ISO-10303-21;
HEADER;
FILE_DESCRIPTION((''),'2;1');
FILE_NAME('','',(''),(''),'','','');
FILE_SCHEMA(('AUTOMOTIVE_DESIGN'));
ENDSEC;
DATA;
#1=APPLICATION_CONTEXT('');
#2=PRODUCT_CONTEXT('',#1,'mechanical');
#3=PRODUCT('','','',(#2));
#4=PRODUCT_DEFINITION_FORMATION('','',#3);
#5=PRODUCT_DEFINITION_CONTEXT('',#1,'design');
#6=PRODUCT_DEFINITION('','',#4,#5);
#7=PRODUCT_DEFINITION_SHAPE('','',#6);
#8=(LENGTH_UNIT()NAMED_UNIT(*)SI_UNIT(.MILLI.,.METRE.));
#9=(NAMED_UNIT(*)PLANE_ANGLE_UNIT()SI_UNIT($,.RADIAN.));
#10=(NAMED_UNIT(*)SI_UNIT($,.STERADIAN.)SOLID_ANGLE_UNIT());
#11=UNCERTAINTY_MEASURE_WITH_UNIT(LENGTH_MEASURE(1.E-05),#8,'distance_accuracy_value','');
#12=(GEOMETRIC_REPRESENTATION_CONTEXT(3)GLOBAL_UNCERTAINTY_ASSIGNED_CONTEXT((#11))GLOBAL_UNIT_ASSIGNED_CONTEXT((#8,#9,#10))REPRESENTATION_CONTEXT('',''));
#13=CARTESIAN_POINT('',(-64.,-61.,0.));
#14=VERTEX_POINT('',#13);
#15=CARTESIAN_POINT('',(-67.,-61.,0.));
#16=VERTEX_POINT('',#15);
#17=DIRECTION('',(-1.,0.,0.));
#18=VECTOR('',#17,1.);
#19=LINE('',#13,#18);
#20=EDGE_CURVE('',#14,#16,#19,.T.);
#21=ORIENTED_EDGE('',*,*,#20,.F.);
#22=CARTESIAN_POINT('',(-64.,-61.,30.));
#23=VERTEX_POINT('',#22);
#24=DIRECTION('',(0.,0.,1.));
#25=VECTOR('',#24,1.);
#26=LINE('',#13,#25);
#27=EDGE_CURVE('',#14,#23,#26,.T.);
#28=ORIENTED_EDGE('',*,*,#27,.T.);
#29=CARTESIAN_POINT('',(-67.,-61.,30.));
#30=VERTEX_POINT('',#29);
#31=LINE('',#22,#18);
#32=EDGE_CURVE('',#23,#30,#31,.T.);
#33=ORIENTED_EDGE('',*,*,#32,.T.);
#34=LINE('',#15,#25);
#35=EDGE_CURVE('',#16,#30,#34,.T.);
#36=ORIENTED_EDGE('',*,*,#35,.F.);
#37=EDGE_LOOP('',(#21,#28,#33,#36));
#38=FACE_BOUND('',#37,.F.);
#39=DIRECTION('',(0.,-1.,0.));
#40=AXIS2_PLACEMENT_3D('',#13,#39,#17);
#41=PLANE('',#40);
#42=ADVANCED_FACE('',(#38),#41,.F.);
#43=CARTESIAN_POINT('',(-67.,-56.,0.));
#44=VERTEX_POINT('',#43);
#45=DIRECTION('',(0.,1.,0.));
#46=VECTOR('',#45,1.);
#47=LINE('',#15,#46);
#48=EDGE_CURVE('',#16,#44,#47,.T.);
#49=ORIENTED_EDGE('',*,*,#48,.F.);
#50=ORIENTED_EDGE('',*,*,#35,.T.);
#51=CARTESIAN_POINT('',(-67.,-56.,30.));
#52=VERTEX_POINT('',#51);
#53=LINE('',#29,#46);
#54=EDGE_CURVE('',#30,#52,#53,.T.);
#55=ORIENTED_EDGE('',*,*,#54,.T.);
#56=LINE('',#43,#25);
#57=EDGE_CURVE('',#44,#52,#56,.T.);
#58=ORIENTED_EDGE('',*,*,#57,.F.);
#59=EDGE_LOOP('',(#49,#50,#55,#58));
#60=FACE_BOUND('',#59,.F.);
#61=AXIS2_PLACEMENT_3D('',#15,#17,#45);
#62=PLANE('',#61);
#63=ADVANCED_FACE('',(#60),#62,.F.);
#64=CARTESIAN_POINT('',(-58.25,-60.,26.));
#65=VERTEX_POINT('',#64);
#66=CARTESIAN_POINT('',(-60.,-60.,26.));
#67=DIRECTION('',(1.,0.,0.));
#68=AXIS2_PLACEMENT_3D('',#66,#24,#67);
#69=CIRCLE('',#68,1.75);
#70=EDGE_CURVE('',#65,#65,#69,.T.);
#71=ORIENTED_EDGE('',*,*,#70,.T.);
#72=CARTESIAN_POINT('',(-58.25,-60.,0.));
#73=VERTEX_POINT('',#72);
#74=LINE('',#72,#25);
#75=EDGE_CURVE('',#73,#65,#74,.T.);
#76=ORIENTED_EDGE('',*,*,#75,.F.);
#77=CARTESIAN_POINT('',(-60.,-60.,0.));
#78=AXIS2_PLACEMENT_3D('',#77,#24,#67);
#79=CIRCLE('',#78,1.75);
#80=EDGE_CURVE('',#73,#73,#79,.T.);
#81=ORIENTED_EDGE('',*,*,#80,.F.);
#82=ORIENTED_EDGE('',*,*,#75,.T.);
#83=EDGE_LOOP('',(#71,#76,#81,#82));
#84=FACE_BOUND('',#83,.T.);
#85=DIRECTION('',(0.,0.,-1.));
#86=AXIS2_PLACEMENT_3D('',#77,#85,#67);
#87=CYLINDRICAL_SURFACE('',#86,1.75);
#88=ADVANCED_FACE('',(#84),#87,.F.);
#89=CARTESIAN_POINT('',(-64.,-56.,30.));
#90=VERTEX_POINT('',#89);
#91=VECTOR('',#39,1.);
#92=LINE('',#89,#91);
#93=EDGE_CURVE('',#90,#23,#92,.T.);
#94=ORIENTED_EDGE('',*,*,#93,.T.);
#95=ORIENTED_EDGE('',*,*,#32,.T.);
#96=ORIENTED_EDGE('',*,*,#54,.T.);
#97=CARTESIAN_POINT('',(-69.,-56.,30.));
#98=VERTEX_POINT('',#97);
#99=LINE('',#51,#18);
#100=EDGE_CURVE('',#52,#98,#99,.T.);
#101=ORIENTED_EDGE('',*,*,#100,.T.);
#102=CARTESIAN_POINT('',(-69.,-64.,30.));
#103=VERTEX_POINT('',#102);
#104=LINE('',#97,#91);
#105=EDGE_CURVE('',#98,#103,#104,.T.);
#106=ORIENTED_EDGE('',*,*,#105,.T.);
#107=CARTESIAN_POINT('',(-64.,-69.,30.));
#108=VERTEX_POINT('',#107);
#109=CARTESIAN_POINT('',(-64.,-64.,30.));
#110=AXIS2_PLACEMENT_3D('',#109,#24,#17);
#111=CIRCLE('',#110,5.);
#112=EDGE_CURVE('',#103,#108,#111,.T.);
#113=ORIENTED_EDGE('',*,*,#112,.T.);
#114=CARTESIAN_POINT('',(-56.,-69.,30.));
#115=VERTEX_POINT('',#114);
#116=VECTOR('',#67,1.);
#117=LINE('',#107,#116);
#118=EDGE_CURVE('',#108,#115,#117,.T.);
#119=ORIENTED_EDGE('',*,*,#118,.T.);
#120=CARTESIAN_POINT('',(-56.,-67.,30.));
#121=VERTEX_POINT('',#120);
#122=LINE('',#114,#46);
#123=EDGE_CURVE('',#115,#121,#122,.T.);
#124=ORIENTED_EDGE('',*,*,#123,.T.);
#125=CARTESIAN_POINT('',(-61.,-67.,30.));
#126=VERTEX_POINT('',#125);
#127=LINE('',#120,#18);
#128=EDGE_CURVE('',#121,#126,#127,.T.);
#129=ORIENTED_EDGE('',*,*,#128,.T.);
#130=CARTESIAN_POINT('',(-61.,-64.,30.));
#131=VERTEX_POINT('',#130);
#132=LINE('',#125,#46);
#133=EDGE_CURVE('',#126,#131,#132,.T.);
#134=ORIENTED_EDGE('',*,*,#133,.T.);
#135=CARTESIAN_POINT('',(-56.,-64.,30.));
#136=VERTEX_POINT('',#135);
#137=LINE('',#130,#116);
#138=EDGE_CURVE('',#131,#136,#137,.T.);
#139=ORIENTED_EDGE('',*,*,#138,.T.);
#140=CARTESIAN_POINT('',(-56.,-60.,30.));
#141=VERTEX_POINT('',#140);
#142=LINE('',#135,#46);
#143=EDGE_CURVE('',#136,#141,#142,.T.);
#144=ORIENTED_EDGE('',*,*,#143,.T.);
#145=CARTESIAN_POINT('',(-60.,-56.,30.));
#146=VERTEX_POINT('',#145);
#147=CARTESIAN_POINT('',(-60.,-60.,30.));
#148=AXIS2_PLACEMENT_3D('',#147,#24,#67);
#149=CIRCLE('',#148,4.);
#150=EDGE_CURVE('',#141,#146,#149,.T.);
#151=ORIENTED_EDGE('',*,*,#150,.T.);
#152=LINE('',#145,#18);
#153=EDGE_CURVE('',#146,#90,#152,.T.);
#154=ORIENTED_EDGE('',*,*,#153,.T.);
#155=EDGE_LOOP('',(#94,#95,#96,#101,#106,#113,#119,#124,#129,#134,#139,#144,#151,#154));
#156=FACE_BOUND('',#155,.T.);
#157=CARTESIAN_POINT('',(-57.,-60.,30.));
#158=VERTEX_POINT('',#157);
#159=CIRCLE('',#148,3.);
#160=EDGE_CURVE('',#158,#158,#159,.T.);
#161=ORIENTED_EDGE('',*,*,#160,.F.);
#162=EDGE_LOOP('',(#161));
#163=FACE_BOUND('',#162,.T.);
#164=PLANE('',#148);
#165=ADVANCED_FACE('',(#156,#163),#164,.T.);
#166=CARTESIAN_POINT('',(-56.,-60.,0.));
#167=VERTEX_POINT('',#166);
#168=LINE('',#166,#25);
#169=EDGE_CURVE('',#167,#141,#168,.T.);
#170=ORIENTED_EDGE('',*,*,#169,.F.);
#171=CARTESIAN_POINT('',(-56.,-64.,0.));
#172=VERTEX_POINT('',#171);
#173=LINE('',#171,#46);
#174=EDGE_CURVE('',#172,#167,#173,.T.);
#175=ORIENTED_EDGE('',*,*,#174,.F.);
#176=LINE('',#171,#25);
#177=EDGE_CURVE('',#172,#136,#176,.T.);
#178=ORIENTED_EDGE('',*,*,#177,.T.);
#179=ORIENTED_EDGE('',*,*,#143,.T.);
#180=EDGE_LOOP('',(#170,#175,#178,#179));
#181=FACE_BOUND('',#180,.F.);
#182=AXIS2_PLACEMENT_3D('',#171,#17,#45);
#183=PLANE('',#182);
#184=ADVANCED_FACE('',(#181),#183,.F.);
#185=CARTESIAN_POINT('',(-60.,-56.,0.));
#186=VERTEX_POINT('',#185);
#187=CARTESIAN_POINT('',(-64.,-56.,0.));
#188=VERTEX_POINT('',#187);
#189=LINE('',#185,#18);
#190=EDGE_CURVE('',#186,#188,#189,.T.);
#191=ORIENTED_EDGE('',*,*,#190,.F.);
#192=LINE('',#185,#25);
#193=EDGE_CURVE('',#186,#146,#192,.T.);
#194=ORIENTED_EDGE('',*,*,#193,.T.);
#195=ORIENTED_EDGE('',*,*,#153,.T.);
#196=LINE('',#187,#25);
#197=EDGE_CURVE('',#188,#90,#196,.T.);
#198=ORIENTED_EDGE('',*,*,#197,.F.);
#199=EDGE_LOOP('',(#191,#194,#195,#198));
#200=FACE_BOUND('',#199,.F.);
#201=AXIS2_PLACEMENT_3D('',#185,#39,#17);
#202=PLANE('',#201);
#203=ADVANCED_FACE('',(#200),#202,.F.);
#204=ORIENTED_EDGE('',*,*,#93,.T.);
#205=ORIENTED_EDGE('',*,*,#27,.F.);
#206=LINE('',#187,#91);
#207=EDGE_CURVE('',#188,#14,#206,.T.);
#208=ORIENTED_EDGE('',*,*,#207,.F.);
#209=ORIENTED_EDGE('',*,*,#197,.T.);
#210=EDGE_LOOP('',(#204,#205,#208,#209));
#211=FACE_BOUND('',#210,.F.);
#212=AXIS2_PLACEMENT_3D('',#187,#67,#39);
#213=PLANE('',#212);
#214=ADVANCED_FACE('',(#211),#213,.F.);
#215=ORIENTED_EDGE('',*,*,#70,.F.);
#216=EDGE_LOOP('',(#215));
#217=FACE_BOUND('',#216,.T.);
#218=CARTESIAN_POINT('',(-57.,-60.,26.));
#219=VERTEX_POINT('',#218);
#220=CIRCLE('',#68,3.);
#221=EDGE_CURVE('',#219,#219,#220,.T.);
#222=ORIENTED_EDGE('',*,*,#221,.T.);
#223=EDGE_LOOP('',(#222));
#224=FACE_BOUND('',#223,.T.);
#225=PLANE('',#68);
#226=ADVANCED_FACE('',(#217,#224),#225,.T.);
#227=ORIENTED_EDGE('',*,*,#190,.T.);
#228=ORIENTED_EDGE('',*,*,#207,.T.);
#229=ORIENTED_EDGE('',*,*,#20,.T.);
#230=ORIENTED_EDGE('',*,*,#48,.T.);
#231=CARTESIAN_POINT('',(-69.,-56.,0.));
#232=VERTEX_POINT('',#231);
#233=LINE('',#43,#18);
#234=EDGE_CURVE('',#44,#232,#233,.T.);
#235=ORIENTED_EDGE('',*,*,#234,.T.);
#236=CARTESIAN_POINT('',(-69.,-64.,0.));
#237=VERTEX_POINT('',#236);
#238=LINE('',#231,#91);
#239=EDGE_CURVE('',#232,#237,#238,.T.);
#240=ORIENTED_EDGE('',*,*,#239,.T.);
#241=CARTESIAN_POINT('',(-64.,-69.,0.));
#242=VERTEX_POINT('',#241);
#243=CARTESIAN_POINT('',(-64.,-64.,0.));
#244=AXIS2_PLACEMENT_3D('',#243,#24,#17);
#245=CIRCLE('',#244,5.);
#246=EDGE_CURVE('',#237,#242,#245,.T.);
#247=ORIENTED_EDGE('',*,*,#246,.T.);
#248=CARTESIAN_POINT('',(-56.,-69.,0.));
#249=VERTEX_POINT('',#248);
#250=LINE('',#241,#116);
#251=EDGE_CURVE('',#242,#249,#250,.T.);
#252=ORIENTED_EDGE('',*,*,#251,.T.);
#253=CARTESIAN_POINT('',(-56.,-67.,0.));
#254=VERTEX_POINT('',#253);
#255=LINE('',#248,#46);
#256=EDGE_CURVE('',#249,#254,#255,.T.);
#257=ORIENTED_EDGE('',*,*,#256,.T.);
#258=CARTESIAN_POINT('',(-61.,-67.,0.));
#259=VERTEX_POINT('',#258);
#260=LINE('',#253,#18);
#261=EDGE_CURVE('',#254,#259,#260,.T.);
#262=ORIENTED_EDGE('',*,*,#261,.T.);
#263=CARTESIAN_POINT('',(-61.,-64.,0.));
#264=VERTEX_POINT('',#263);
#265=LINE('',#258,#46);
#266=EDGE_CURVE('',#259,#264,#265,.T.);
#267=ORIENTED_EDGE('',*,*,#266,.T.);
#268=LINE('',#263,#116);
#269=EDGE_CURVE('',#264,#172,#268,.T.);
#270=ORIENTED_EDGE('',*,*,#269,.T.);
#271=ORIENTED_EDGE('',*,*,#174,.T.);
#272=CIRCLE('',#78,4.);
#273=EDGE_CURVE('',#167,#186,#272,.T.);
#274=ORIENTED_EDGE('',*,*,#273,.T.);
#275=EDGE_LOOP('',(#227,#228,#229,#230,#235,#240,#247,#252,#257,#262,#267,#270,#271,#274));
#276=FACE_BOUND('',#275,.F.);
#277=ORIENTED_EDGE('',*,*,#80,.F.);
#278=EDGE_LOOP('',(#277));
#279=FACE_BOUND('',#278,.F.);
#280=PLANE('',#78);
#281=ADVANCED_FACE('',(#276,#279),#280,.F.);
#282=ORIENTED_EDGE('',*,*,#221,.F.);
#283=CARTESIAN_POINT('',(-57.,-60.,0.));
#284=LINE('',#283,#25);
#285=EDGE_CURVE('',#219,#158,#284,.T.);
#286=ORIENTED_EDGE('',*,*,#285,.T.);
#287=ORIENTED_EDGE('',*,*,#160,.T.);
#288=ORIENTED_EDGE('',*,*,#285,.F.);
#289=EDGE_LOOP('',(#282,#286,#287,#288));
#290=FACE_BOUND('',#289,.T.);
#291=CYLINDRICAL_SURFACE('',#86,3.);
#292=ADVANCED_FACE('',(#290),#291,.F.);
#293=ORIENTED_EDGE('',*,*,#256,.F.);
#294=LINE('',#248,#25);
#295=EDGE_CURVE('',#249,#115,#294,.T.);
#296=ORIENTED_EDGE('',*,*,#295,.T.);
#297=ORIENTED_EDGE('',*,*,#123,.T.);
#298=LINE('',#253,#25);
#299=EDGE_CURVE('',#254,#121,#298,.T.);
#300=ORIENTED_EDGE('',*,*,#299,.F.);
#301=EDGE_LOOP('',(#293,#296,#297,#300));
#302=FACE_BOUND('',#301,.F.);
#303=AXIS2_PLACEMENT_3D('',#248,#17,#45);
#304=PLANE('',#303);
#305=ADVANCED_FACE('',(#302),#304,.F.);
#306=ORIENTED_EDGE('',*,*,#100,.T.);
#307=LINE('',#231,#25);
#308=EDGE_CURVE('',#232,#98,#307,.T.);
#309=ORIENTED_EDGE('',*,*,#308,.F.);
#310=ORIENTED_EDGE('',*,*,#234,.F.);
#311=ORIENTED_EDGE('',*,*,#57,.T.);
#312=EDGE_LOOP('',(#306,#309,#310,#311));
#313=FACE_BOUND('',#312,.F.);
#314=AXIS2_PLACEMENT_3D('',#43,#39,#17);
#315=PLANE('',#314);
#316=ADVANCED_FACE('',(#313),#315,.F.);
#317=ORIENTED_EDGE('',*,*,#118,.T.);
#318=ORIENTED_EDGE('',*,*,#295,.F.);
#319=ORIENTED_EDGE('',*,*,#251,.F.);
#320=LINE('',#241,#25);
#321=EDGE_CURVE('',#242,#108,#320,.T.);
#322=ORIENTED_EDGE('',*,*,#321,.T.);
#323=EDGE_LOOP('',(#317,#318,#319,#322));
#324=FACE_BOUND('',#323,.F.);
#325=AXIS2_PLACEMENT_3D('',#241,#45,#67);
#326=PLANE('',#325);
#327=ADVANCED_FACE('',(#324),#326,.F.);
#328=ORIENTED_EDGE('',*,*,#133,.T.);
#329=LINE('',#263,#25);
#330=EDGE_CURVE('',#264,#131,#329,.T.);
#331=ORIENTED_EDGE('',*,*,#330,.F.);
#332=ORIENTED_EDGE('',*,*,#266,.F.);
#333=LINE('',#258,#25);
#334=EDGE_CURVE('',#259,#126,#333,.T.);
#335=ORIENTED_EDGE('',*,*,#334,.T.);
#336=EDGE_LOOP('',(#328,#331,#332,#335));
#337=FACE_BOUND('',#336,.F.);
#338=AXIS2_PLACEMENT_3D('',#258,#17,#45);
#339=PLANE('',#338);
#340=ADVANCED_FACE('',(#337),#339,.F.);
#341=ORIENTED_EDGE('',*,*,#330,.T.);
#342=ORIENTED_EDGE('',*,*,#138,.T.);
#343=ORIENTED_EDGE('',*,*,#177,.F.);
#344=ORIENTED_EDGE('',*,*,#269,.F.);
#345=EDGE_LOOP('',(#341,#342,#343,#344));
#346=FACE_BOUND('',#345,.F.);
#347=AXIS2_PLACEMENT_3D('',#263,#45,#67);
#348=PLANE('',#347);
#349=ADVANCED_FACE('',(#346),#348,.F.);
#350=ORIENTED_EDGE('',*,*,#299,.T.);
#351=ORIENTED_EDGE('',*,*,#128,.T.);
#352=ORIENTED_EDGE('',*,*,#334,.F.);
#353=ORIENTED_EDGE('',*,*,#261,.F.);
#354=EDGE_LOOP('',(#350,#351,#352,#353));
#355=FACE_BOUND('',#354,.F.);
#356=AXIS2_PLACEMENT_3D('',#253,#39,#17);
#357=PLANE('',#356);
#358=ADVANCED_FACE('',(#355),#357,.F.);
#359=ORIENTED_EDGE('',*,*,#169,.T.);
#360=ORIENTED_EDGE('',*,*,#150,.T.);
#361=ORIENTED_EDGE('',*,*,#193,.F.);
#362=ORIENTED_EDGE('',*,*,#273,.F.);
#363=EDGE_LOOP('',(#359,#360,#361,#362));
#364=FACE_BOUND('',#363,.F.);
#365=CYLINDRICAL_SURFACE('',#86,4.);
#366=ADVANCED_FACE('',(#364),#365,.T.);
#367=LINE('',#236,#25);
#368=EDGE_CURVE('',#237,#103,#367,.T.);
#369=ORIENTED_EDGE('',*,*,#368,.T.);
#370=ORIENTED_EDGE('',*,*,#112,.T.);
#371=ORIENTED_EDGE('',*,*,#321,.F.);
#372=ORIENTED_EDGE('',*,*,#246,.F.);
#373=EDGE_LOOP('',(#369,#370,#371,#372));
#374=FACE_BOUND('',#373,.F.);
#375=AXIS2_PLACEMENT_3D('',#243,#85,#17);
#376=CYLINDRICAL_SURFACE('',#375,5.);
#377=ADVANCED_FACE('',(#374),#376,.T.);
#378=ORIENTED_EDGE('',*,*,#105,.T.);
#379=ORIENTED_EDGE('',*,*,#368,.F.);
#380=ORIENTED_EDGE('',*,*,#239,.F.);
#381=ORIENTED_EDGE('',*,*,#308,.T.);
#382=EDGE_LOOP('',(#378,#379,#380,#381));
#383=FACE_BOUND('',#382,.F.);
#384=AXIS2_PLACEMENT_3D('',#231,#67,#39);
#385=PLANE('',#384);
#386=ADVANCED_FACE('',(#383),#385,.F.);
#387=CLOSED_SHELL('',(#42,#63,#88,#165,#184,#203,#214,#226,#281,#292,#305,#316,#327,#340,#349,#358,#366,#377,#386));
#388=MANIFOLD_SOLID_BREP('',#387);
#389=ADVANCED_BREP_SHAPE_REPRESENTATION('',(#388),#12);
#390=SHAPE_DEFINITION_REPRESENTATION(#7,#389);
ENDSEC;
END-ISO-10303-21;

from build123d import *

# Parameters (mm, degrees)
F0_R     = 3
F1_DEPTH = 30
F0_R_2   = 1.75
F2_DEPTH = 26


with BuildPart() as f1:
    # F0 (on Top) → F1 (new body)
    with BuildSketch(Plane.XY):
        with BuildLine():
            ThreePointArc((-60, -64), (-57.1715728753, -62.8284271247), (-56, -60))
            ThreePointArc((-56, -60), (-57.1715728753, -57.1715728753), (-60, -56))
            ThreePointArc((-60, -56), (-62.8284271247, -57.1715728753), (-64, -60))
            ThreePointArc((-64, -60), (-62.8284271247, -62.8284271247), (-60, -64))
        make_face()
        with Locations((-60, -60)):
            Circle(F0_R, mode=Mode.SUBTRACT)
        with BuildLine():
            ThreePointArc((-64, -60), (-62.8284271247, -57.1715728753), (-60, -56))
            Line((-60, -56), (-64, -56))
            Line((-64, -56), (-64, -60))
        make_face()
        with BuildLine():
            Line((-61, -64), (-60, -64))
            ThreePointArc((-60, -64), (-62.8284271247, -62.8284271247), (-64, -60))
            Line((-64, -60), (-64, -61))
            Line((-64, -61), (-67, -61))
            Line((-67, -61), (-67, -56))
            Line((-67, -56), (-69, -56))
            Line((-69, -56), (-69, -64))
            ThreePointArc((-69, -64), (-67.5355339059, -67.5355339059), (-64, -69))
            Line((-64, -69), (-63.9991187476, -69))
            Line((-63.9991187476, -69), (-56, -69))
            Line((-56, -69), (-56, -67))
            Line((-56, -67), (-61, -67))
            Line((-61, -67), (-61, -64))
        make_face()
        with BuildLine():
            Line((-56, -64), (-56, -60))
            ThreePointArc((-56, -60), (-57.1715728753, -62.8284271247), (-60, -64))
            Line((-60, -64), (-56, -64))
        make_face()
    extrude(amount=F1_DEPTH)

    # F0 (on Top) → F2 (join)
    with BuildSketch(Plane.XY):
        with Locations((-60, -60)):
            Circle(F0_R)
        with Locations((-60, -60)):
            Circle(F0_R_2, mode=Mode.SUBTRACT)
    extrude(amount=F2_DEPTH)


solid = f1.part
